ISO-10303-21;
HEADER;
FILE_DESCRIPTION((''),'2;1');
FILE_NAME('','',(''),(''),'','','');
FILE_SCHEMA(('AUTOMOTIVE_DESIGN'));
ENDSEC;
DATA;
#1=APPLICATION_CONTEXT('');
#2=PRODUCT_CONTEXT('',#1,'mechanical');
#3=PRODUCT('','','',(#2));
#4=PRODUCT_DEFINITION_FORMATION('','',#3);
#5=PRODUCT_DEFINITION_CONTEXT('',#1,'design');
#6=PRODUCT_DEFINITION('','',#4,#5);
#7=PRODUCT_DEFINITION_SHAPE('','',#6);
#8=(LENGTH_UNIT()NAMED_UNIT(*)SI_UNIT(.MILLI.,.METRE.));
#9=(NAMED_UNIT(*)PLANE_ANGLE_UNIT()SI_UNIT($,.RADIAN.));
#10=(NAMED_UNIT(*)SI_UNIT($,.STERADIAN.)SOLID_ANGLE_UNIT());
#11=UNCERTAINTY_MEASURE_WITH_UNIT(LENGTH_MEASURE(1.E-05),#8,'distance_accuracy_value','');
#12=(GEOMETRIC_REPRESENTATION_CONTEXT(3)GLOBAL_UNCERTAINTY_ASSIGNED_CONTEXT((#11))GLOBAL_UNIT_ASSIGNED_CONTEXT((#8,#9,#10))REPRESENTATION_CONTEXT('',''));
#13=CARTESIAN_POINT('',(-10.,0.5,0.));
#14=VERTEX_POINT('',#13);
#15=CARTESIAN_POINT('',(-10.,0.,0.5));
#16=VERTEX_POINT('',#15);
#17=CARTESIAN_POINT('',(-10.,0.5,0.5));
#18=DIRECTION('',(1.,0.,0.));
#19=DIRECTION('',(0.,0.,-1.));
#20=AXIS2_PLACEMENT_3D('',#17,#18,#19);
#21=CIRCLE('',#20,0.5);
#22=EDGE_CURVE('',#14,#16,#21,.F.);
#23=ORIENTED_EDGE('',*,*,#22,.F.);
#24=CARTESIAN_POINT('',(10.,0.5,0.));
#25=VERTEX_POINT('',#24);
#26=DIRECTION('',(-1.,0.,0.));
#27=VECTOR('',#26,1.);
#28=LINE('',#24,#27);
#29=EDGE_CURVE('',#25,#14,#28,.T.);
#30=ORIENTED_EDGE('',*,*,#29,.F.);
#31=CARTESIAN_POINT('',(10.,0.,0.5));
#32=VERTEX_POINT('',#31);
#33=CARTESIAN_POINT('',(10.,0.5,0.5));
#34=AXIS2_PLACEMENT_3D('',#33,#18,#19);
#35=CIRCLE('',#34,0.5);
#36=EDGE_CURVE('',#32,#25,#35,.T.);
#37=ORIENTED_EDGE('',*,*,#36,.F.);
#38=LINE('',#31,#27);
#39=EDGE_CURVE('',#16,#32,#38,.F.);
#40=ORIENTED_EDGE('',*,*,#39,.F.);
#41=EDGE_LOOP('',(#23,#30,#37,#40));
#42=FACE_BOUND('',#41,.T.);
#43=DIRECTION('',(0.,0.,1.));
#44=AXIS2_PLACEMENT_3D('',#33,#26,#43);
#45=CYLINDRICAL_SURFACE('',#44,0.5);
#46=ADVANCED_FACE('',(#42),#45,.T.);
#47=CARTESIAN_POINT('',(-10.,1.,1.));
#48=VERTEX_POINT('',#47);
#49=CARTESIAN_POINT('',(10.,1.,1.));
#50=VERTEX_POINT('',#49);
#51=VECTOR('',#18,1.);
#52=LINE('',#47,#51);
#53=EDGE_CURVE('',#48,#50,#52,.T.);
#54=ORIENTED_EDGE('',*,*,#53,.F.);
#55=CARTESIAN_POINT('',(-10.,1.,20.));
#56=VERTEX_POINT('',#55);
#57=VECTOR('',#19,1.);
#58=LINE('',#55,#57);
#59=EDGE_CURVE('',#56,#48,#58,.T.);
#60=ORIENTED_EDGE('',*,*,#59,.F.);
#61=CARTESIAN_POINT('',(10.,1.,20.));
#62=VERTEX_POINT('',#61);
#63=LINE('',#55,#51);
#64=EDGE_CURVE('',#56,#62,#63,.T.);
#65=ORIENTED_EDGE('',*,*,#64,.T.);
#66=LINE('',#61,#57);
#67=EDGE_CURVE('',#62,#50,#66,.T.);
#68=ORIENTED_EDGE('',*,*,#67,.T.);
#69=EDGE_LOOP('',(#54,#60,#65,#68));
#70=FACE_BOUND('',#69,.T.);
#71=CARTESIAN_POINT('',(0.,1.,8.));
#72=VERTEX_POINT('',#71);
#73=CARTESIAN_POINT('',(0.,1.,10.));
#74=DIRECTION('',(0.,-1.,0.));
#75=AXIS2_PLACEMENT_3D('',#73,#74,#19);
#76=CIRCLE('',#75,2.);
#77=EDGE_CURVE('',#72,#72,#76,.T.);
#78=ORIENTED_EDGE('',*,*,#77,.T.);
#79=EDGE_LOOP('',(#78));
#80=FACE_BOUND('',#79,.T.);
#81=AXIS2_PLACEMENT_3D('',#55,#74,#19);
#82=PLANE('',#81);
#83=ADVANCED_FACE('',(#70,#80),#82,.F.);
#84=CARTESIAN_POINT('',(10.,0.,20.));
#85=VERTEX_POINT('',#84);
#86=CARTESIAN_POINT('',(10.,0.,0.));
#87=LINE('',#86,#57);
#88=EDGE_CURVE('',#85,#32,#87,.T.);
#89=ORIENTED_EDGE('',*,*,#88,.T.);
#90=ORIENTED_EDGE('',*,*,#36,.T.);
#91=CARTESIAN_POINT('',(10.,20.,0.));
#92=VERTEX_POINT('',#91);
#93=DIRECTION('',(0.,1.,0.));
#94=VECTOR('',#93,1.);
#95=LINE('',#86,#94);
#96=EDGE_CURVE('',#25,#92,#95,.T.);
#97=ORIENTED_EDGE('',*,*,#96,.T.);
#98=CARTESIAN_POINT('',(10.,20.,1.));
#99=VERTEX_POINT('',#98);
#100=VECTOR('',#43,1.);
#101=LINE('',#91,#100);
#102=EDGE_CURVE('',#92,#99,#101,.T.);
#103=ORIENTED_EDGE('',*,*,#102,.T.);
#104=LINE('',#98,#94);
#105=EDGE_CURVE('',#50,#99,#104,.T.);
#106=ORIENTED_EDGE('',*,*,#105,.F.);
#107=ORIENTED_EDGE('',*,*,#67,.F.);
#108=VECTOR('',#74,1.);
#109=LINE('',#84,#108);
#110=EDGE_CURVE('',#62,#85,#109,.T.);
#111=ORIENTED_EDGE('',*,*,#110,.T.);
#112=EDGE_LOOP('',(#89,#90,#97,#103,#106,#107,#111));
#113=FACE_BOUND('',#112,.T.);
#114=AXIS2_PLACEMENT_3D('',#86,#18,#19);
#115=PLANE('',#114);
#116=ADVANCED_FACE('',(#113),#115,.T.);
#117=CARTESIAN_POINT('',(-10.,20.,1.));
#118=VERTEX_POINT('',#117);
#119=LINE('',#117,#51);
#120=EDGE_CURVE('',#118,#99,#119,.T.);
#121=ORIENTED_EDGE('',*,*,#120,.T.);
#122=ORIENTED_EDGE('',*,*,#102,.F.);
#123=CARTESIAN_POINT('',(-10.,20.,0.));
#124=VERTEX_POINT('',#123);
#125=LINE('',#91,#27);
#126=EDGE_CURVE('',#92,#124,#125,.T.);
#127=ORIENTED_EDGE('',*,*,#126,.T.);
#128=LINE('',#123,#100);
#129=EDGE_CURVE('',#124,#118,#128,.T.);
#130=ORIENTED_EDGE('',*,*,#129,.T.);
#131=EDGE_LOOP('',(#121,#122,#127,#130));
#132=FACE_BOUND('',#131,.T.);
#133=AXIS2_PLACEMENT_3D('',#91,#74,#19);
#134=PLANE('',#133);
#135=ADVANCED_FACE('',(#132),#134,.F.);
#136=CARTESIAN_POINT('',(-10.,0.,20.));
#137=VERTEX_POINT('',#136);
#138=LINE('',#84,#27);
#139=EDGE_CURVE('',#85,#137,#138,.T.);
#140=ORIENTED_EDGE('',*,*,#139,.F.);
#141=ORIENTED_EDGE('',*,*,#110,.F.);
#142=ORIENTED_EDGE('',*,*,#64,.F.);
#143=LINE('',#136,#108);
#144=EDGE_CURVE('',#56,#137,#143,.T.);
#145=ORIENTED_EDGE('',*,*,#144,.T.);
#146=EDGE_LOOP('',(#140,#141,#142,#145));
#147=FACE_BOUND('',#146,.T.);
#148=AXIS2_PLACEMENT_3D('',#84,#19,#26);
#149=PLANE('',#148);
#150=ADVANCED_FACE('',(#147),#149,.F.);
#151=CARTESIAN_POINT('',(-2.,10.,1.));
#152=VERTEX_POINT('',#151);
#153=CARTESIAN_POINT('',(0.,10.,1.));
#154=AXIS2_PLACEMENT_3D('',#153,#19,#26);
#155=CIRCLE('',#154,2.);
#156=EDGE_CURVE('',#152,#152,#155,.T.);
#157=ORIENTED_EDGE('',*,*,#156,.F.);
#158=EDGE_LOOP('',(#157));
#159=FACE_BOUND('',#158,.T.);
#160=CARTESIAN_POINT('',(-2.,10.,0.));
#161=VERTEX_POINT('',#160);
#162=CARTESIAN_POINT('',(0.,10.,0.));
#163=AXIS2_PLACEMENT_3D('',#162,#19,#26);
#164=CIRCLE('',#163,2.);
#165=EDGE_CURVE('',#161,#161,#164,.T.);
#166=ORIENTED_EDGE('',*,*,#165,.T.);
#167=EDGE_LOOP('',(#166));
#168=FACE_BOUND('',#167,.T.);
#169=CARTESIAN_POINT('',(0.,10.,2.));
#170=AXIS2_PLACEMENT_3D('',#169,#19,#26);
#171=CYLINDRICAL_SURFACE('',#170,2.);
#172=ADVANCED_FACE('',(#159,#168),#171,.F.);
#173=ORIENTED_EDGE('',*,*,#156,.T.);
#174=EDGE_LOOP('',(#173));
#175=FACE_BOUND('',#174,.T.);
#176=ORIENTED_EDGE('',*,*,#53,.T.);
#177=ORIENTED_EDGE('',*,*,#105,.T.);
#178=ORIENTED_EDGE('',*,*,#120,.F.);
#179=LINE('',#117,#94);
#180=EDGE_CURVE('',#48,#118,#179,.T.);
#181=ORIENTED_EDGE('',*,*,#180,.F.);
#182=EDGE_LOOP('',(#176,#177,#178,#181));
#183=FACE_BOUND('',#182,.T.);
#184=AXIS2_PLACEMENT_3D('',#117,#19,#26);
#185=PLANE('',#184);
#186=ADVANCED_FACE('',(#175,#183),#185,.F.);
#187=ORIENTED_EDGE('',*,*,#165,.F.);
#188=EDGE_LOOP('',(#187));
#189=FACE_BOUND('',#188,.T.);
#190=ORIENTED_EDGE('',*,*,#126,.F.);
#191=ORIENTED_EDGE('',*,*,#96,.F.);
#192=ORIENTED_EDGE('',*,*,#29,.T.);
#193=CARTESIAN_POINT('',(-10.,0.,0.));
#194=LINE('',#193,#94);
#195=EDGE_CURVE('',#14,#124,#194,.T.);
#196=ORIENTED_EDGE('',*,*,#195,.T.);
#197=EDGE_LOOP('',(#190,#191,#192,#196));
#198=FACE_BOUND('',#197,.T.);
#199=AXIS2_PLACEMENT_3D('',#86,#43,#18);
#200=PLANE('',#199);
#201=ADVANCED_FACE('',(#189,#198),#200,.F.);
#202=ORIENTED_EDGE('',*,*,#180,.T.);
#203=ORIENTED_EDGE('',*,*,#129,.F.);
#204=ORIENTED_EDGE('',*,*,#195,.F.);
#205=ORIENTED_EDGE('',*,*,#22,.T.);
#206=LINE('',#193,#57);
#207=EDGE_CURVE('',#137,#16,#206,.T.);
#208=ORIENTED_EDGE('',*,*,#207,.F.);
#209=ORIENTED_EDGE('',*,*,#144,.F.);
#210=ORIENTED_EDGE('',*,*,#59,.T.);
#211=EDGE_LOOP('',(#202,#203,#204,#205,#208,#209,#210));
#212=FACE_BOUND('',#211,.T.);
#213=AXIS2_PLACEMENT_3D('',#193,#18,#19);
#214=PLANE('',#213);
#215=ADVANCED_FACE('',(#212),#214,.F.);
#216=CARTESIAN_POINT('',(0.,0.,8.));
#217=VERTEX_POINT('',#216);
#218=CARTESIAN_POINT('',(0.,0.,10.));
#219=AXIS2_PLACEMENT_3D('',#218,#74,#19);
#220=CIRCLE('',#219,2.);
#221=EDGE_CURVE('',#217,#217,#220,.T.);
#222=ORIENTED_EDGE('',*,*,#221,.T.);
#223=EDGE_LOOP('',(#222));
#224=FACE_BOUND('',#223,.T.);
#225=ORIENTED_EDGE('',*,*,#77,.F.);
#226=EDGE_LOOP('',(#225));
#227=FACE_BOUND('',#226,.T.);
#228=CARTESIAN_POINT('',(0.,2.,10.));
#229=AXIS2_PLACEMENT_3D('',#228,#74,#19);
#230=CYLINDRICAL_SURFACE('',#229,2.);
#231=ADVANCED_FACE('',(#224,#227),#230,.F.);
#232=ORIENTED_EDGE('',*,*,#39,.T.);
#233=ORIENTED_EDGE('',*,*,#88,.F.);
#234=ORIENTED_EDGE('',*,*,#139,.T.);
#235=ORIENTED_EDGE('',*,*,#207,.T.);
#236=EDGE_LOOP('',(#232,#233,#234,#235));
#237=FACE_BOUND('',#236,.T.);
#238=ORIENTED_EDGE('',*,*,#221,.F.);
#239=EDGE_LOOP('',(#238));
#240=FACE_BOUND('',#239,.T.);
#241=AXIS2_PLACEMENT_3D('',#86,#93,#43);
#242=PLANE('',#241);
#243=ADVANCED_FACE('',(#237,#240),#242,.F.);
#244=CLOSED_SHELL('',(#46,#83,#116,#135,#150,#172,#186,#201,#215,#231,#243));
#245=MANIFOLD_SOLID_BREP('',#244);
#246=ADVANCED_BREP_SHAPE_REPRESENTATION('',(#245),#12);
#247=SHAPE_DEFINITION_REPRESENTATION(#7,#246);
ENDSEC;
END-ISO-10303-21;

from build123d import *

# Parameters (mm, degrees)
SKETCH1_W           = 20
SKETCH1_H           = 20
BOSS_EXTRUDE1_DEPTH = 10
SKETCH3_W           = 19
SKETCH3_H           = 19
CUT_EXTRUDE1_DEPTH  = 20
FILLET1_R           = 0.5
SKETCH4_R           = 2
CUT_EXTRUDE2_DEPTH  = 2
SKETCH5_R           = 2
CUT_EXTRUDE3_DEPTH  = 2


with BuildPart() as part:
    # Sketch1 → Boss-Extrude1 (new body, symmetric)
    with BuildSketch(Plane(origin=(0, 0, 0), x_dir=(0, 0, -1), z_dir=(1, 0, 0))):
        with Locations((-10, 10)):
            Rectangle(SKETCH1_W, SKETCH1_H)
    extrude(amount=BOSS_EXTRUDE1_DEPTH, both=True)

    # Sketch3 → Cut-Extrude1 (cut)
    with BuildSketch(Plane(origin=(10, 0, 0), x_dir=(0, 0, -1), z_dir=(1, 0, 0))):
        with Locations((-10.5, 10.5)):
            Rectangle(SKETCH3_W, SKETCH3_H)
    extrude(amount=-CUT_EXTRUDE1_DEPTH, mode=Mode.SUBTRACT)

    # Fillet1
    fillet1_edges = [part.edges().sort_by_distance(p)[0] for p in [
        (0, 0, 0),
    ]]
    fillet(fillet1_edges, radius=FILLET1_R)

    # Sketch4 → Cut-Extrude2 (cut)
    with BuildSketch(Plane(origin=(0, 0, 0), x_dir=(-1, 0, 0), z_dir=(0, 0, -1))):
        with Locations((0, 10)):
            Circle(SKETCH4_R)
    extrude(amount=-CUT_EXTRUDE2_DEPTH, mode=Mode.SUBTRACT)

    # Sketch5 → Cut-Extrude3 (cut)
    with BuildSketch(Plane.XZ):
        with Locations((0, 10)):
            Circle(SKETCH5_R)
    extrude(amount=-CUT_EXTRUDE3_DEPTH, mode=Mode.SUBTRACT)


solid = part.part
